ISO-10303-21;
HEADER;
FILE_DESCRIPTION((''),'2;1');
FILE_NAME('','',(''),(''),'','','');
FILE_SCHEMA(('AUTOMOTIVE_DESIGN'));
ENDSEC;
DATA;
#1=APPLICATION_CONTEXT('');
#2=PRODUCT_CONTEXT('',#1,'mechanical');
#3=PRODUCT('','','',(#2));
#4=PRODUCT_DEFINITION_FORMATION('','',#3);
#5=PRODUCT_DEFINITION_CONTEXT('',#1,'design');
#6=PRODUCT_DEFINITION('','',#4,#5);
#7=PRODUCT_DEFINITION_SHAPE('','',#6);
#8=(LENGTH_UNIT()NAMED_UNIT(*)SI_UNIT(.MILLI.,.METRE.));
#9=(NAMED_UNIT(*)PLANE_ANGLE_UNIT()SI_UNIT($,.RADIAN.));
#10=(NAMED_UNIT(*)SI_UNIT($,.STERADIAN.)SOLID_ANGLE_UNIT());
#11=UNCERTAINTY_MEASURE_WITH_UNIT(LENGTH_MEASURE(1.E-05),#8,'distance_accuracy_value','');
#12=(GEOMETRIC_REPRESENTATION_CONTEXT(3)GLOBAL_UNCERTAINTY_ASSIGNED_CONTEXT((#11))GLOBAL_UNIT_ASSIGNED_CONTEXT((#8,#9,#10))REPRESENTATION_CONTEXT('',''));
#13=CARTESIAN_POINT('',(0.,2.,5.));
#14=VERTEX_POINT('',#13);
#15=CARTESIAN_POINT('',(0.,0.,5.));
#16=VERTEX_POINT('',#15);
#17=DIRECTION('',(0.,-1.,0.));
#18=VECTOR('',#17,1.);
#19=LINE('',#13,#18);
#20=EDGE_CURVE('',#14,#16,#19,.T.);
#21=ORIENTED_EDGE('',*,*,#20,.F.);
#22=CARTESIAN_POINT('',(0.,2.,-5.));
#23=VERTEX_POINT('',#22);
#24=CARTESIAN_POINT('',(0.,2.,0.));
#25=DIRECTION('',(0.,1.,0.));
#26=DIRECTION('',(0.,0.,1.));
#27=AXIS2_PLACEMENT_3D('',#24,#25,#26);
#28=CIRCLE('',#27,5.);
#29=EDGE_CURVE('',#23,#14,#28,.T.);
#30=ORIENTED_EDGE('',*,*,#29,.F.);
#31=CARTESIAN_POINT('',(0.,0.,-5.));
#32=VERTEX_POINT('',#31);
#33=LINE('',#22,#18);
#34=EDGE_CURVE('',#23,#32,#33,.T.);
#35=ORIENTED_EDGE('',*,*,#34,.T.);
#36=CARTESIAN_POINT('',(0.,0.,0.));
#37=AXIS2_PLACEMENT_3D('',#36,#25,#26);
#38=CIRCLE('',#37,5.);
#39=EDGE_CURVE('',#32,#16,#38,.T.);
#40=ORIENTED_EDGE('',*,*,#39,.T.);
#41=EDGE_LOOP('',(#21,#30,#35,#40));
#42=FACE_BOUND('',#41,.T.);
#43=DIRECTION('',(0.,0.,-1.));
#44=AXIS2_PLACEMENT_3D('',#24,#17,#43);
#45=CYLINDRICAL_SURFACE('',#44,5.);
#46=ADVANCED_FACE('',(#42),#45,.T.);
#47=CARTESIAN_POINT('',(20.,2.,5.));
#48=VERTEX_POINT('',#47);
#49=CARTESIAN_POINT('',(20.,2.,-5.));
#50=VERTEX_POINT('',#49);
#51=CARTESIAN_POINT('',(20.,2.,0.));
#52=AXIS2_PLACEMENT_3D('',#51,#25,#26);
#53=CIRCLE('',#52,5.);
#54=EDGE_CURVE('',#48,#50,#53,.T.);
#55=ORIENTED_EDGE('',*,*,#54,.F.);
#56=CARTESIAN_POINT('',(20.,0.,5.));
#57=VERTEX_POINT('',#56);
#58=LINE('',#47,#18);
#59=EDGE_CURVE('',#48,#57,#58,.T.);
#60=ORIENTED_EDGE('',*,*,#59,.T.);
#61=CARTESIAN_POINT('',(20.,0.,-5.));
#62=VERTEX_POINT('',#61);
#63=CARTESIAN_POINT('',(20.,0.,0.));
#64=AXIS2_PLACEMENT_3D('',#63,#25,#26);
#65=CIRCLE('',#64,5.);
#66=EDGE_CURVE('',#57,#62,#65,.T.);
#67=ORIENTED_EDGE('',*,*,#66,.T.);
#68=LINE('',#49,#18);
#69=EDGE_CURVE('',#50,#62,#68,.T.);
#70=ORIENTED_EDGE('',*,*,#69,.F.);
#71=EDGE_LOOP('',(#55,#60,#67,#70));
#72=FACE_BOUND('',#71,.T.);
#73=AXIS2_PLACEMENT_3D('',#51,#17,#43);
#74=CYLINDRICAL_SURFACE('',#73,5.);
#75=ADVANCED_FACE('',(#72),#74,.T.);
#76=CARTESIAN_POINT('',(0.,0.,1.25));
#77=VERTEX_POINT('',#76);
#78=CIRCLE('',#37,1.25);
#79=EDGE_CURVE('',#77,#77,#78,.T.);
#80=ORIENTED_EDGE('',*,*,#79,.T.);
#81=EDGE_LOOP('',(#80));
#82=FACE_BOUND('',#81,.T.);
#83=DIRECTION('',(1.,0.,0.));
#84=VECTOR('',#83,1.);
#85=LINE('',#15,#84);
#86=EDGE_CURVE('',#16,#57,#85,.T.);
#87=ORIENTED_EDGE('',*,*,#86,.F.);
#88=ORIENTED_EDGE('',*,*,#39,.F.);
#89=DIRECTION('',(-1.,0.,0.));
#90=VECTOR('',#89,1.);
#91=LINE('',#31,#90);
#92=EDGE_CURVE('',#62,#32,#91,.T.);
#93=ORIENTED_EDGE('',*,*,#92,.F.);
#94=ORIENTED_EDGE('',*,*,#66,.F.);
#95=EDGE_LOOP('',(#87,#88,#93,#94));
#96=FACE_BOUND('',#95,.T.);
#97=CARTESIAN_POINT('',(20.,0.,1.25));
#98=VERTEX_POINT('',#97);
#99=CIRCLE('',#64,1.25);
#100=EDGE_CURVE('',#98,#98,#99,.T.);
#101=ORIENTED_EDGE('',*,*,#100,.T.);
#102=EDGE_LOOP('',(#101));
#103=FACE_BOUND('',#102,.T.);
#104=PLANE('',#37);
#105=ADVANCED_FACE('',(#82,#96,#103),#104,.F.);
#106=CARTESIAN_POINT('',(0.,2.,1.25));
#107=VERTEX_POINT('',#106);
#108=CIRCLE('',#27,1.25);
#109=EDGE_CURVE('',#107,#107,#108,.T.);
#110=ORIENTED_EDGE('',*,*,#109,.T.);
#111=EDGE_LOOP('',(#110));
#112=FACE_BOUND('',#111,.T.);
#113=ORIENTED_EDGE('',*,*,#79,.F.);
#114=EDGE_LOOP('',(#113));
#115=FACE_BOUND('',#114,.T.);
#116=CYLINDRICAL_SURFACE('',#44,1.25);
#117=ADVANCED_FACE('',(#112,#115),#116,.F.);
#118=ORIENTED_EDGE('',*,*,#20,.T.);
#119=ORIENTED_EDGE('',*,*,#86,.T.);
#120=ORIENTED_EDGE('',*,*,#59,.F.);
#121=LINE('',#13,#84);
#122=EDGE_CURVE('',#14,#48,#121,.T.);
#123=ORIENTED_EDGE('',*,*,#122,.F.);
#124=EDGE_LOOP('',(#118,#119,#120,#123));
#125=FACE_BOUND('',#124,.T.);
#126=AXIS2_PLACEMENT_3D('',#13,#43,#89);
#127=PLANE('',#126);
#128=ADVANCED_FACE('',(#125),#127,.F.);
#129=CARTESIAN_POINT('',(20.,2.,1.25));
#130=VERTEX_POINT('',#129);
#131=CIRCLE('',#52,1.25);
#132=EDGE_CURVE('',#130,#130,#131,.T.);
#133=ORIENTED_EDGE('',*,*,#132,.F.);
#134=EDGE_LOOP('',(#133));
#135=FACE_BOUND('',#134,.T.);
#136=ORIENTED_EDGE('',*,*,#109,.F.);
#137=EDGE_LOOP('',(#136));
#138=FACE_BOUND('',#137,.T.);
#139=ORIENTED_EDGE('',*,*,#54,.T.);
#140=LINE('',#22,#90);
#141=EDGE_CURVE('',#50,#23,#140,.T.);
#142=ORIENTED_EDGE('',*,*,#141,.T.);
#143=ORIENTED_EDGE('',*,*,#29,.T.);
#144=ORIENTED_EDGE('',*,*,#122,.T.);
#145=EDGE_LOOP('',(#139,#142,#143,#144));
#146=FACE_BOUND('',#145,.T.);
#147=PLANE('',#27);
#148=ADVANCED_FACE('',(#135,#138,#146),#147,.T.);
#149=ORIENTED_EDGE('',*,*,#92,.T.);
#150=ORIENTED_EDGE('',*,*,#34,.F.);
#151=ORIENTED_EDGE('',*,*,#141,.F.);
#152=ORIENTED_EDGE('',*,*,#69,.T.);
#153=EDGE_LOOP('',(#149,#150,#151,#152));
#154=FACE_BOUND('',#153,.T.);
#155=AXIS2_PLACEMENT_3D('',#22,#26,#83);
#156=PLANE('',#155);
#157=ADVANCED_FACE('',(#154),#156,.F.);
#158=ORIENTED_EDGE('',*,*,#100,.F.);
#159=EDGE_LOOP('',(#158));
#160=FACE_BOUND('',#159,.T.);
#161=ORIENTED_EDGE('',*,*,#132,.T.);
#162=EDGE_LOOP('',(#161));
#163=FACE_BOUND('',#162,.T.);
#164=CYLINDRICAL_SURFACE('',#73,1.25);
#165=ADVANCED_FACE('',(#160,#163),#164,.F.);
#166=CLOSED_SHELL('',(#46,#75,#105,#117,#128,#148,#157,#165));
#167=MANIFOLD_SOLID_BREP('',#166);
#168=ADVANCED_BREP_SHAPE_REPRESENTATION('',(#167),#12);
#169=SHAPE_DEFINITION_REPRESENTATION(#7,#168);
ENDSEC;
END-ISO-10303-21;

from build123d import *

# Parameters (mm, degrees)
SKETCH1_R           = 1.25
BOSS_EXTRUDE1_DEPTH = 2


with BuildPart() as part:
    # Sketch1 → Boss-Extrude1 (new body)
    with BuildSketch(Plane(origin=(0, 0, 0), x_dir=(1, 0, 0), z_dir=(0, 1, 0))):
        with BuildLine():
            Line((0, 5), (20, 5))
            ThreePointArc((20, 5), (25, 0), (20, -5))
            Line((20, -5), (0, -5))
            ThreePointArc((0, -5), (-5, 0), (0, 5))
        make_face()
        Circle(SKETCH1_R, mode=Mode.SUBTRACT)
        with Locations((20, 0)):
            Circle(SKETCH1_R, mode=Mode.SUBTRACT)
    extrude(amount=BOSS_EXTRUDE1_DEPTH)


solid = part.part
